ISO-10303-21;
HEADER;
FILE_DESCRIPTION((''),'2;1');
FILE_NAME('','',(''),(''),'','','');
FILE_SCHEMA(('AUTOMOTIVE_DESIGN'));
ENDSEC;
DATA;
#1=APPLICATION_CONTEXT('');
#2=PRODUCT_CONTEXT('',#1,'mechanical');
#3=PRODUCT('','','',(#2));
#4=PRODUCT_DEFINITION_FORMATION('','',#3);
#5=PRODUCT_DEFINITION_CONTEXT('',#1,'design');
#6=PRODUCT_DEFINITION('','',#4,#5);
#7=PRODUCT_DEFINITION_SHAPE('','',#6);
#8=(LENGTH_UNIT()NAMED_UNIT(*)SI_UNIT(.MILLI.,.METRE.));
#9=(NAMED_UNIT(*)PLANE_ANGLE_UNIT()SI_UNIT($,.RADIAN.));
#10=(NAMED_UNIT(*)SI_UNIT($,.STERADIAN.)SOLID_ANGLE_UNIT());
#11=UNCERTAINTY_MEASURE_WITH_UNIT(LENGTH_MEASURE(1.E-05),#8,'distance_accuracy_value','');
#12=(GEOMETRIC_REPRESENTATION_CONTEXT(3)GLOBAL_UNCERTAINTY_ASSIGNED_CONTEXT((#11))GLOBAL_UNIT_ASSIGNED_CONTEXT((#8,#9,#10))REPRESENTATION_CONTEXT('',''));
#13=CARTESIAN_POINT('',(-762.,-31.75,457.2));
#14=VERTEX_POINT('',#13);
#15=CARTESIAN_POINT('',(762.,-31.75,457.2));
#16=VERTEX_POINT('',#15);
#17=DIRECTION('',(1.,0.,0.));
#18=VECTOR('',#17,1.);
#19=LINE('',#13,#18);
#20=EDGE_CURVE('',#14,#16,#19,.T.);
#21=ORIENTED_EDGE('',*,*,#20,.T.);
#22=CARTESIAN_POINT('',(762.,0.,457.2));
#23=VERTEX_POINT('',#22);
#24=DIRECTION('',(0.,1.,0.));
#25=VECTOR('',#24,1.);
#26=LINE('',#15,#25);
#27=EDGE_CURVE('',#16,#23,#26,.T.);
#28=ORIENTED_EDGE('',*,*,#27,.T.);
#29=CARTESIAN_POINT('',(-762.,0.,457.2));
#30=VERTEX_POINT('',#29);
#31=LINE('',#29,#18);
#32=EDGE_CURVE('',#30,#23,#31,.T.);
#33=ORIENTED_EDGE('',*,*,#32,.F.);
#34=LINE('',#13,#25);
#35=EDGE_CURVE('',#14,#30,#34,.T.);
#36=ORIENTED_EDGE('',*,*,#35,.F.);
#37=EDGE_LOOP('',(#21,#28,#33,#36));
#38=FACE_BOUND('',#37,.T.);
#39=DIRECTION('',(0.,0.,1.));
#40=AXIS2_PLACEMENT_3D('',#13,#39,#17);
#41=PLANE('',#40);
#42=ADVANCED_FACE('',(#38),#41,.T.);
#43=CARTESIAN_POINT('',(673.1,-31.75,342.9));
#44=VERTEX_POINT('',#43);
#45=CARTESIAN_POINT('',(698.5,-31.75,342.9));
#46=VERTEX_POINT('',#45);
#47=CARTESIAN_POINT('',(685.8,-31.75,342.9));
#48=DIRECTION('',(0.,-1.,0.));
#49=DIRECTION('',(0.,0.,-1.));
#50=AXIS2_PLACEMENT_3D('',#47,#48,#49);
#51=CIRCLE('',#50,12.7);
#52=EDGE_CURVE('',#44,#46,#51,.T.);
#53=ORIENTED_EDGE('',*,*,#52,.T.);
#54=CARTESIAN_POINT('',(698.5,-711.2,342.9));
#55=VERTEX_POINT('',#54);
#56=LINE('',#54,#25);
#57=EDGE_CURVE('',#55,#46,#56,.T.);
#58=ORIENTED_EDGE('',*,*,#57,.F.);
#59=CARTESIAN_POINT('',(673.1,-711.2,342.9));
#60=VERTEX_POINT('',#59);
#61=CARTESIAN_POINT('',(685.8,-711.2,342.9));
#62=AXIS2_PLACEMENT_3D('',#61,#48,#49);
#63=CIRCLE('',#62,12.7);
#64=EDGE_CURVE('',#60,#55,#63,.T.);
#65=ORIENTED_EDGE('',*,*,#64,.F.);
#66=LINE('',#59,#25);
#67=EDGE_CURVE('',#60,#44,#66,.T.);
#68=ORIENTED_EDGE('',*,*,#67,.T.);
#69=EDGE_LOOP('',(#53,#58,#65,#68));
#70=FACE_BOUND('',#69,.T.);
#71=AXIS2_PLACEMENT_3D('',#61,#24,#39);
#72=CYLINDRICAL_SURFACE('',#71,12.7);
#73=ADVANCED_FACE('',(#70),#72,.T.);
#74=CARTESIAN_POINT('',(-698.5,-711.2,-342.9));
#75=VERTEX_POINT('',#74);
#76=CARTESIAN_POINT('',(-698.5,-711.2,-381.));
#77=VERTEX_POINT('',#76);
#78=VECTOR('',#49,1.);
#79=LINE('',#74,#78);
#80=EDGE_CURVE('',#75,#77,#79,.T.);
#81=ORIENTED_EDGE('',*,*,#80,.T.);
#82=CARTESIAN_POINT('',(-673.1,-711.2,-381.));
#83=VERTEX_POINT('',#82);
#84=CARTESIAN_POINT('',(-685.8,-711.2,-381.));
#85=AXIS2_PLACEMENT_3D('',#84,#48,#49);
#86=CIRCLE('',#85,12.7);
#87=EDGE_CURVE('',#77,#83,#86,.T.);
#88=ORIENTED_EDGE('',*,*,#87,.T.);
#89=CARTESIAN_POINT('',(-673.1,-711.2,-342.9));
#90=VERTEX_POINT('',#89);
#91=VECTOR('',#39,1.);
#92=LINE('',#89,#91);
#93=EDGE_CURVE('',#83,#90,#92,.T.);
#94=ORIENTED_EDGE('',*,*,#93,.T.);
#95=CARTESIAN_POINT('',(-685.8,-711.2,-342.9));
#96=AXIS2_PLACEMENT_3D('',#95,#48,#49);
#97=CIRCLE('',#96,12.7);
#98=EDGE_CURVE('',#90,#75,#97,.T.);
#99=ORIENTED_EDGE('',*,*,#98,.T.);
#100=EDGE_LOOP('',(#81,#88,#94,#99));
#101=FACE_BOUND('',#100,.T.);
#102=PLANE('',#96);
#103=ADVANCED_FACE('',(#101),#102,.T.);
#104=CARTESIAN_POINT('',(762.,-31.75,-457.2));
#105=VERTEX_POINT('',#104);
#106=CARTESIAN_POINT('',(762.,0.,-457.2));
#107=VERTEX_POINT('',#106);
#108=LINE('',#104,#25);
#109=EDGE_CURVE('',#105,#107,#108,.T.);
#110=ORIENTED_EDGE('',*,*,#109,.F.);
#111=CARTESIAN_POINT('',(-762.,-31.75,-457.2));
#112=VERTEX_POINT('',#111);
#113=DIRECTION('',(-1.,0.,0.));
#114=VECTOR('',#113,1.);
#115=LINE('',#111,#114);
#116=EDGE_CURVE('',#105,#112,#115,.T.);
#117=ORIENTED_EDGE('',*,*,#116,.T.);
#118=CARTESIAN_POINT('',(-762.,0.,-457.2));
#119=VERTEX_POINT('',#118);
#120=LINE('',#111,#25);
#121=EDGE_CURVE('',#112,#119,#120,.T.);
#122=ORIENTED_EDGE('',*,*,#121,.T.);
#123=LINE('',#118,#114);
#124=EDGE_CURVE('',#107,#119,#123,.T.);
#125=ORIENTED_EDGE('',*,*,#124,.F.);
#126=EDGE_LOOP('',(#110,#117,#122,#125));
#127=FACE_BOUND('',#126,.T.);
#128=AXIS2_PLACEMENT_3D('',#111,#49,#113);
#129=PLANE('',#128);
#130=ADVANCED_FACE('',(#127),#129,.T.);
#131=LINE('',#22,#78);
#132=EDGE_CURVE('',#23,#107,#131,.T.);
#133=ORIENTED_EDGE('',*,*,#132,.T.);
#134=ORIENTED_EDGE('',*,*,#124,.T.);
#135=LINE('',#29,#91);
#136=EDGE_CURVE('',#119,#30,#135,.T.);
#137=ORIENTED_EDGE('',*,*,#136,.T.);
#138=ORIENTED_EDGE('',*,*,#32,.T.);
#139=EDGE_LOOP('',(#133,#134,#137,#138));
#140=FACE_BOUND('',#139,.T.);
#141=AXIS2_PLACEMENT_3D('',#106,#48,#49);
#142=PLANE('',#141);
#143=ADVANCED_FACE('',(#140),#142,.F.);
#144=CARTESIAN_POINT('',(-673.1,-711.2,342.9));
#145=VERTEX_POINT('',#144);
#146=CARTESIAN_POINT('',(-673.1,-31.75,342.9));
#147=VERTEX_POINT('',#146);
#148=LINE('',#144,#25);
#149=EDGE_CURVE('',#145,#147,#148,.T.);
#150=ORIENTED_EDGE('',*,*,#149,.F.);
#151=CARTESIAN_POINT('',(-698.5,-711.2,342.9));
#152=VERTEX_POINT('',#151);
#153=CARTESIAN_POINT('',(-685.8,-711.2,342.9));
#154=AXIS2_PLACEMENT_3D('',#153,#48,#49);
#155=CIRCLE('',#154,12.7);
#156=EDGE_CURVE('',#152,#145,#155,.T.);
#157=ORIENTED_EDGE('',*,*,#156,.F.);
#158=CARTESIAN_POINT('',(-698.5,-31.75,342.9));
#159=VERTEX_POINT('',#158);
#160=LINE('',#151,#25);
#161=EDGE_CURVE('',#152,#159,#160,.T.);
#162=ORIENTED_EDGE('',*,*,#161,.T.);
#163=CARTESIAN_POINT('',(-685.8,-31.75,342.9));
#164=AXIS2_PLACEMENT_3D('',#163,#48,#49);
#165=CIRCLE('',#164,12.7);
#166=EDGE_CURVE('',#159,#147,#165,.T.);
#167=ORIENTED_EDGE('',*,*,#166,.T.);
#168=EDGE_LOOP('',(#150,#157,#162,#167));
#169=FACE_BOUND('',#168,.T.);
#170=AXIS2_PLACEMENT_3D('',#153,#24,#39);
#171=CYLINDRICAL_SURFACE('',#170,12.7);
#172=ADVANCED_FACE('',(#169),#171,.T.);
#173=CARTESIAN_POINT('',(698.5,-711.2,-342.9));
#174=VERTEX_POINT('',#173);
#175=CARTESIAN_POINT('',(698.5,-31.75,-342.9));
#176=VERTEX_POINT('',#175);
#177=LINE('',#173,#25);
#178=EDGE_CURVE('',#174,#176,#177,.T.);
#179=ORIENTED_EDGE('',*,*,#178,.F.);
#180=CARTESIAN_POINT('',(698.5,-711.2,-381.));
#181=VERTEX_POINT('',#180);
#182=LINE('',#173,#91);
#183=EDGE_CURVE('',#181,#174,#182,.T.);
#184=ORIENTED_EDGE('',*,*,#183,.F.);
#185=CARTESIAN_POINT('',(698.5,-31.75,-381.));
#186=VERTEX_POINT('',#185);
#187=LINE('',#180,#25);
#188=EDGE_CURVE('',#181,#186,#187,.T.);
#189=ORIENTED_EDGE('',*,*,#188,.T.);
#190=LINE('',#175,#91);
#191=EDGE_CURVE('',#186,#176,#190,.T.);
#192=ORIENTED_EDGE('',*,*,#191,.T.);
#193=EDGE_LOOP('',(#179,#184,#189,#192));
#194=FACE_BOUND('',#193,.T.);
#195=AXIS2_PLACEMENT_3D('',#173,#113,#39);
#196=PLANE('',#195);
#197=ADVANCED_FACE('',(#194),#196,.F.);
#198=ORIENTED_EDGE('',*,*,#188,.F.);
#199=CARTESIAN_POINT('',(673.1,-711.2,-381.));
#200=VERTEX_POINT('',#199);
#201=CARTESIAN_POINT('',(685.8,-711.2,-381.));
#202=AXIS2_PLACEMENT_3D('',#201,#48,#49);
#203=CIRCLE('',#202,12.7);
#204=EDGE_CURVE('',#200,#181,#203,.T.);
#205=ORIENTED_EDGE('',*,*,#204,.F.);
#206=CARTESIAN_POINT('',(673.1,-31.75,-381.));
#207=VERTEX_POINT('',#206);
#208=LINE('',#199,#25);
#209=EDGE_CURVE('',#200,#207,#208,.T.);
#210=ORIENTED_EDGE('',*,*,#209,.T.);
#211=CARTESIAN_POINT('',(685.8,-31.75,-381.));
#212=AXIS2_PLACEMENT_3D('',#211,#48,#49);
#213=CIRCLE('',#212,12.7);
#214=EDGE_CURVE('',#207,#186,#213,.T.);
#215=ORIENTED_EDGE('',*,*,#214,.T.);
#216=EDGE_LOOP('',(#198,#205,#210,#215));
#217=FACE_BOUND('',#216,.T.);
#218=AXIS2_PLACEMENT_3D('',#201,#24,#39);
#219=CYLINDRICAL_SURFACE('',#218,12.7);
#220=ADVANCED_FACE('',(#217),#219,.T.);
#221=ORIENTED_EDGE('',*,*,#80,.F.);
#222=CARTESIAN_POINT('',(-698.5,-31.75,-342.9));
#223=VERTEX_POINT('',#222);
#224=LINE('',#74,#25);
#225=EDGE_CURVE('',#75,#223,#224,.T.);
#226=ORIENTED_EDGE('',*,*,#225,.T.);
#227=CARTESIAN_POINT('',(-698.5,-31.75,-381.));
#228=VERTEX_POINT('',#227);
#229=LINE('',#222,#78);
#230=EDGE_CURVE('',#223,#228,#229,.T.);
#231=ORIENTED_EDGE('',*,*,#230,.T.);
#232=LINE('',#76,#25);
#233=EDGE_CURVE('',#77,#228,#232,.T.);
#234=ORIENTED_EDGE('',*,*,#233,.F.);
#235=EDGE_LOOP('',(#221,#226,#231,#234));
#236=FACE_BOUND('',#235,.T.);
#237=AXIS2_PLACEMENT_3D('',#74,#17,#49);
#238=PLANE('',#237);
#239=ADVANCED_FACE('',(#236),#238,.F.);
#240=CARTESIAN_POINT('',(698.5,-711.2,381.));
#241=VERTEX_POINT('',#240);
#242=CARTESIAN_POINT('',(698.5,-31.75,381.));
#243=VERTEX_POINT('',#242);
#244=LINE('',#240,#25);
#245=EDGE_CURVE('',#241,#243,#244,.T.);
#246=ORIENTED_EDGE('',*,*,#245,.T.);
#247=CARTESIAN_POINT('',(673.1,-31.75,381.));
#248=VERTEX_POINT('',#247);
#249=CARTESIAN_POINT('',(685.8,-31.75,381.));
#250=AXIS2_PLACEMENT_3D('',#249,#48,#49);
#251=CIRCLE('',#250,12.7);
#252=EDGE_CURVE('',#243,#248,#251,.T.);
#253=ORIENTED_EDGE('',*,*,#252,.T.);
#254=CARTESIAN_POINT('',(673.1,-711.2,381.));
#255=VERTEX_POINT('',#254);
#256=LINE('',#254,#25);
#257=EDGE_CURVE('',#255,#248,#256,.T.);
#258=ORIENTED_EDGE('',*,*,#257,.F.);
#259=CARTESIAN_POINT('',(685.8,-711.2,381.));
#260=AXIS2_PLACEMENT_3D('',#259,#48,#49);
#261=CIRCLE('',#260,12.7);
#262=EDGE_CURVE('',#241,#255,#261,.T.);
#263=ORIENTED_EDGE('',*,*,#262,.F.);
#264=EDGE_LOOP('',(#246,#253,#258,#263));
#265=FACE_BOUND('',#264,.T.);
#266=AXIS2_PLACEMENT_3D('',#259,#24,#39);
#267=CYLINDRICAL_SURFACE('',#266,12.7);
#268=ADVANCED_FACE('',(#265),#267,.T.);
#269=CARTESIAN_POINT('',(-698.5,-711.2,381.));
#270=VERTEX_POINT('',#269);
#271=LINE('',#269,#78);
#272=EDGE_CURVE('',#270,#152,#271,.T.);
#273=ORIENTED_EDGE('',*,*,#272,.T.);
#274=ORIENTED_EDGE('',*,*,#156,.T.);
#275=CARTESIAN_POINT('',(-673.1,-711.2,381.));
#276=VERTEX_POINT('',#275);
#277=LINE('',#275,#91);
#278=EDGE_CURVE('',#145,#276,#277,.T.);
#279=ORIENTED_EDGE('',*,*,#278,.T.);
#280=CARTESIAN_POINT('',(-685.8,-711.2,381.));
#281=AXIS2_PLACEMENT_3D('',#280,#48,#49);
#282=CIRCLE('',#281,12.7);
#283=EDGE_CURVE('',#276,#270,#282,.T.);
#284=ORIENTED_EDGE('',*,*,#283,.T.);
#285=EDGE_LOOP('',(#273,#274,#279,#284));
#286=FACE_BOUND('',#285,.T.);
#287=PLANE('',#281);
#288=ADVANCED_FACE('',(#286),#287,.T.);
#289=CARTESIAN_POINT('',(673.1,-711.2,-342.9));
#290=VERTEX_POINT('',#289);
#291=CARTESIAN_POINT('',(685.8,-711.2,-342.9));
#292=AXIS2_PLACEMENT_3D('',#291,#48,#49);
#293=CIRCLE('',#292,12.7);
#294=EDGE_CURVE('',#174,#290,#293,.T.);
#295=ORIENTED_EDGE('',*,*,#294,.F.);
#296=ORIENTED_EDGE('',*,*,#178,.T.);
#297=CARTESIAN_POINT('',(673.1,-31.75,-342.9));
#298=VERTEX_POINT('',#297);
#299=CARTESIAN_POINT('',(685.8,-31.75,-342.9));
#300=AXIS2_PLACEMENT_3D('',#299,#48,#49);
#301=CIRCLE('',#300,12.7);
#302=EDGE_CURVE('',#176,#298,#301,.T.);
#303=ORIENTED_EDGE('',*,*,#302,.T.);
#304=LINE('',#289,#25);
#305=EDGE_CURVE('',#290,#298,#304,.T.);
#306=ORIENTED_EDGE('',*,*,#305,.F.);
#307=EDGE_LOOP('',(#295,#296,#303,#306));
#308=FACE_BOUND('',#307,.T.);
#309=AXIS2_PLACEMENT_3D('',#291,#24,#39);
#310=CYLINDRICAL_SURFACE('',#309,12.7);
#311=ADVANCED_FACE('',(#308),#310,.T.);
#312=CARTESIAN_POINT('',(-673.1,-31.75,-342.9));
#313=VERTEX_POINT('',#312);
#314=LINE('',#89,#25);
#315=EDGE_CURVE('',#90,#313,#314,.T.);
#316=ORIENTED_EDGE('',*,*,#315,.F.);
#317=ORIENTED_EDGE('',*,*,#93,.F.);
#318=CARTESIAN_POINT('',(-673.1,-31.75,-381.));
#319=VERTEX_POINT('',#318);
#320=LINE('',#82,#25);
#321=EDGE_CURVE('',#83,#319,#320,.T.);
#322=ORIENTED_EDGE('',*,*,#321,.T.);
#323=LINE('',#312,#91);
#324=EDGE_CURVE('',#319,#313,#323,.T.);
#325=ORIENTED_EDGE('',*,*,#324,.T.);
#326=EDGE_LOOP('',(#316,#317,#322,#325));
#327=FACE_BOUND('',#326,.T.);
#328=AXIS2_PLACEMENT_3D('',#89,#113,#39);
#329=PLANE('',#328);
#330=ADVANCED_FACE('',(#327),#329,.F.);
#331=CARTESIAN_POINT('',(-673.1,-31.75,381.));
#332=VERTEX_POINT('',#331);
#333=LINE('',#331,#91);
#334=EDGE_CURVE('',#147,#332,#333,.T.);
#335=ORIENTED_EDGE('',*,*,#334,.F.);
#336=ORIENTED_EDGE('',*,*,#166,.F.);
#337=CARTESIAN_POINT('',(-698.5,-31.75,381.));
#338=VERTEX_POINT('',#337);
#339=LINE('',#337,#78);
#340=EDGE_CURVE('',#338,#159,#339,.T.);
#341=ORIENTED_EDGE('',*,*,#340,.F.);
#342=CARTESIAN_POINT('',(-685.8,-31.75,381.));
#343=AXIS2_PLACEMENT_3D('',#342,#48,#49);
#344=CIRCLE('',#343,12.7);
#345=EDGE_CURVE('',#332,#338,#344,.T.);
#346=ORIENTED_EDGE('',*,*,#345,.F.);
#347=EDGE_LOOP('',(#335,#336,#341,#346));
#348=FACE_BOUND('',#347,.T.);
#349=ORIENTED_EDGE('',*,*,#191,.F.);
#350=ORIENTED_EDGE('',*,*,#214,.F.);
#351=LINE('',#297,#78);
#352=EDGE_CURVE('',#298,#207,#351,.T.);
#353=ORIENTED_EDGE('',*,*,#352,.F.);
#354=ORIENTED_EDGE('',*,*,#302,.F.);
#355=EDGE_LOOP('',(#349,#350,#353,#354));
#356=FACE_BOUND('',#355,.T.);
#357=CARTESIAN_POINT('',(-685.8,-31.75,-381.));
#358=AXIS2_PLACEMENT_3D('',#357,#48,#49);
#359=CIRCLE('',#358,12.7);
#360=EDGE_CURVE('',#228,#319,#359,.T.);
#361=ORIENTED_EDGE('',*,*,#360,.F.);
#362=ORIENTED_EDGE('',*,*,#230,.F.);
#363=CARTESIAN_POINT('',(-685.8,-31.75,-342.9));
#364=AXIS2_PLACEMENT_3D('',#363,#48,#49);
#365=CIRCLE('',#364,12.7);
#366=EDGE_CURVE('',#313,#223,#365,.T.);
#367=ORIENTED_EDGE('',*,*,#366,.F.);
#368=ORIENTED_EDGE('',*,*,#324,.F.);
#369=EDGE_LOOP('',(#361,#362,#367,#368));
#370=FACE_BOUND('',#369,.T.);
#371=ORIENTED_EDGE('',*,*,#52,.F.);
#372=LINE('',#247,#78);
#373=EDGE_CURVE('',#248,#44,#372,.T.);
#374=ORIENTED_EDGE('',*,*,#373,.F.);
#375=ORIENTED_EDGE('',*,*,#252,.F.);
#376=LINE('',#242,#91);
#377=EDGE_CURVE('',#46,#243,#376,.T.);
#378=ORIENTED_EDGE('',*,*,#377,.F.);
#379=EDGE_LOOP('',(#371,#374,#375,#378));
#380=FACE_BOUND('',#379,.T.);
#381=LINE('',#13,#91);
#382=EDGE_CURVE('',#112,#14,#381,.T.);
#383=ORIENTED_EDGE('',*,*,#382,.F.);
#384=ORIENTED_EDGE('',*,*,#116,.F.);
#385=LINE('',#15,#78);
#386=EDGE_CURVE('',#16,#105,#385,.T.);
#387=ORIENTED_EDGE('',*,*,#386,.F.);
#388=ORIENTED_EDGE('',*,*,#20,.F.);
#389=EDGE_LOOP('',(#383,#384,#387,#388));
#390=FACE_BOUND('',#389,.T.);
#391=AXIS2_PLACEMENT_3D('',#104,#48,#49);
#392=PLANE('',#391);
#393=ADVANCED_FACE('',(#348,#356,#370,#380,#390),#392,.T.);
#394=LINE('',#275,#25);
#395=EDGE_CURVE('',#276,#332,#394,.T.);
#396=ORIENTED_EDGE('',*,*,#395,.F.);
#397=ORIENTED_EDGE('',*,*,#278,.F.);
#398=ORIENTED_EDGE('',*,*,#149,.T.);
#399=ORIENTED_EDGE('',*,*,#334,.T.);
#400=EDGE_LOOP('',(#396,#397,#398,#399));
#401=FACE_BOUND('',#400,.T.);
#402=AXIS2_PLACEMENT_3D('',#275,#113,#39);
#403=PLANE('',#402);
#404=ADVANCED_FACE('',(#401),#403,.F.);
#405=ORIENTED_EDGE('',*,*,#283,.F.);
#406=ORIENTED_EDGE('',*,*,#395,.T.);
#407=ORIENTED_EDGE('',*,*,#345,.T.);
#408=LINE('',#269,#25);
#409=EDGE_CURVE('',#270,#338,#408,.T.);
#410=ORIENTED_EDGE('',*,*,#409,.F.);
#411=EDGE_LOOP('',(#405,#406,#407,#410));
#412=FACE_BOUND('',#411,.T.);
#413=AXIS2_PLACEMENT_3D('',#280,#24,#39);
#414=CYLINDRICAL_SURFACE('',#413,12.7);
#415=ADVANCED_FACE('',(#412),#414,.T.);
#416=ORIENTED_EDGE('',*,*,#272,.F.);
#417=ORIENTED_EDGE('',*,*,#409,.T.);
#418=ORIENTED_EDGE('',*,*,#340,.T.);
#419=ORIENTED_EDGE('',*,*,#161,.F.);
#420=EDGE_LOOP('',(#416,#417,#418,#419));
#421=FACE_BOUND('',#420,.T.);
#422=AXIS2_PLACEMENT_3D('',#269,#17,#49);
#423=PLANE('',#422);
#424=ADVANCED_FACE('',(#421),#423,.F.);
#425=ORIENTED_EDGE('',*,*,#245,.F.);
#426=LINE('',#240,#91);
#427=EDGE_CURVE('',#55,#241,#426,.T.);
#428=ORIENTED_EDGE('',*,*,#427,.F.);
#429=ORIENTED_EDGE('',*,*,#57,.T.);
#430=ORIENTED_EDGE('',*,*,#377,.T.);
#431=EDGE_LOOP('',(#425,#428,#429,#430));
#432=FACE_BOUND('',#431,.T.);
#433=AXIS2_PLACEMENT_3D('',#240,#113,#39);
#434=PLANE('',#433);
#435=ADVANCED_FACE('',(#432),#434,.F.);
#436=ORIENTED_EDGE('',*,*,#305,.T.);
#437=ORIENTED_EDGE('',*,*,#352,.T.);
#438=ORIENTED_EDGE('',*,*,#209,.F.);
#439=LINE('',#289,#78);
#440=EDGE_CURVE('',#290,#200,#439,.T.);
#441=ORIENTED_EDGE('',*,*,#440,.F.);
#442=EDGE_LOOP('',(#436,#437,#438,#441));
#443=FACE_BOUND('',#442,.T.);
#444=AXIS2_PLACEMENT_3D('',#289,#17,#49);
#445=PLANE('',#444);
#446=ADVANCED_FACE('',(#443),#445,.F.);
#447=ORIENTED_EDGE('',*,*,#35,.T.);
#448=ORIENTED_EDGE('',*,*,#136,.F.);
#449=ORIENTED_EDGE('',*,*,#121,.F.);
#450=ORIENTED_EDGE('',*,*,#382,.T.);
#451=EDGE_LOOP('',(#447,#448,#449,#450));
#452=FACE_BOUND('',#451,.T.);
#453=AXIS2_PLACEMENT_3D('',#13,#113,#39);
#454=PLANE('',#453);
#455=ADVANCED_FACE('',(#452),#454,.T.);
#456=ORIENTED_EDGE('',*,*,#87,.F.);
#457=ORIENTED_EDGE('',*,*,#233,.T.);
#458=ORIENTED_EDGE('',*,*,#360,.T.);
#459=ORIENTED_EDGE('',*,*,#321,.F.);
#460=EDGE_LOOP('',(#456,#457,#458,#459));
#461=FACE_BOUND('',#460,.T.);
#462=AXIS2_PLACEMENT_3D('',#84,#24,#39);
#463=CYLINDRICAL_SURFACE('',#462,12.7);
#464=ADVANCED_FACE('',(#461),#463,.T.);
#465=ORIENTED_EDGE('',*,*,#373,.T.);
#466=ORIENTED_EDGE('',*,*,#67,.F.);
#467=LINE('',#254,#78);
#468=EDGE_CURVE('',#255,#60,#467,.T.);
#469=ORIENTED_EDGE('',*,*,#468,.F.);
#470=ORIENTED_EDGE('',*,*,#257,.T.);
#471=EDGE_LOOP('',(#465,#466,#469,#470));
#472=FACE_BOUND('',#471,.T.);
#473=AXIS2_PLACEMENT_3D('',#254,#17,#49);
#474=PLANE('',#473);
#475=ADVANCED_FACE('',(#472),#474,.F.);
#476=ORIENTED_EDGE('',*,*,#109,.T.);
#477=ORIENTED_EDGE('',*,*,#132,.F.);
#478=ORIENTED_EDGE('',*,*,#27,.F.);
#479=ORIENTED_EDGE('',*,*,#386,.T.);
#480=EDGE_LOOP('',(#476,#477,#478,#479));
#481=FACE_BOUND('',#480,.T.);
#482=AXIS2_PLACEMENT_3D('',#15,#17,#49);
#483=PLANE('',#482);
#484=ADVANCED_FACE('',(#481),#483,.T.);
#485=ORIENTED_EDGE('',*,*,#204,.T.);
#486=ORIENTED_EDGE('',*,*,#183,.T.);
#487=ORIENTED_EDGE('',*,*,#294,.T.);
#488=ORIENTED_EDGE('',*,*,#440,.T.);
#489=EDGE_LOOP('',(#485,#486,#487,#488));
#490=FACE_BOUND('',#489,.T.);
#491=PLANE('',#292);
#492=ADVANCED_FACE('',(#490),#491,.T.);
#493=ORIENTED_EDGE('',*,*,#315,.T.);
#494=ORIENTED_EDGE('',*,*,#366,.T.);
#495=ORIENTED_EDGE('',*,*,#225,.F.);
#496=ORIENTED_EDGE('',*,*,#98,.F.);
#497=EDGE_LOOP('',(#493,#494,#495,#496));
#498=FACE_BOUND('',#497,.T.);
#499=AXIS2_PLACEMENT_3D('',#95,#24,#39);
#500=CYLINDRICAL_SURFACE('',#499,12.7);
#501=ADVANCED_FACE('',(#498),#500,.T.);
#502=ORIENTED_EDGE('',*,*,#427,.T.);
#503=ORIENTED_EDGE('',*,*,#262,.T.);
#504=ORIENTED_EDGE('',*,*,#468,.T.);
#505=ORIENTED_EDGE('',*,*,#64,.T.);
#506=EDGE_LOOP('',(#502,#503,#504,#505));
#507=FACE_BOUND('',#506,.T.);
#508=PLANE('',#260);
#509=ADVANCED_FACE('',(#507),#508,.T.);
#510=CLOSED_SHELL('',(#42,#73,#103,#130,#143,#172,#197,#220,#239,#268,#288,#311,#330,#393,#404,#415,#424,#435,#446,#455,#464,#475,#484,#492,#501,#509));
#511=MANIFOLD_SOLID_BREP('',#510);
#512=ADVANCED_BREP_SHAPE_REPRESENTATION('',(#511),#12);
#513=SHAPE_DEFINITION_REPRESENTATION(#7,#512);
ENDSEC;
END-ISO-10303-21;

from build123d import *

# Parameters (mm, degrees)
SKETCH1_W           = 1524
SKETCH1_H           = 914.4
BOSS_EXTRUDE1_DEPTH = 31.75
BOSS_EXTRUDE2_DEPTH = 679.45


with BuildPart() as part:
    # Sketch1 → Boss-Extrude1 (new body)
    with BuildSketch(Plane(origin=(0, 0, 0), x_dir=(1, 0, 0), z_dir=(0, 1, 0))):
        Rectangle(SKETCH1_W, SKETCH1_H)
    extrude(amount=-BOSS_EXTRUDE1_DEPTH)

    # Sketch2 → Boss-Extrude2 (add)
    with BuildSketch(Plane.XZ.offset(31.75)):
        with BuildLine():
            Line((-698.5, -342.9), (-698.5, -381))
            ThreePointArc((-698.5, -381), (-685.8, -393.7), (-673.1, -381))
            Line((-673.1, -381), (-673.1, -342.9))
            ThreePointArc((-673.1, -342.9), (-685.8, -330.2), (-698.5, -342.9))
        make_face()
        with BuildLine():
            Line((-698.5, 381), (-698.5, 342.9))
            ThreePointArc((-698.5, 342.9), (-685.8, 330.2), (-673.1, 342.9))
            Line((-673.1, 342.9), (-673.1, 381))
            ThreePointArc((-673.1, 381), (-685.8, 393.7), (-698.5, 381))
        make_face()
        with BuildLine():
            Line((673.1, 381), (673.1, 342.9))
            ThreePointArc((673.1, 342.9), (685.8, 330.2), (698.5, 342.9))
            Line((698.5, 342.9), (698.5, 381))
            ThreePointArc((698.5, 381), (685.8, 393.7), (673.1, 381))
        make_face()
        with BuildLine():
            Line((673.1, -342.9), (673.1, -381))
            ThreePointArc((673.1, -381), (685.8, -393.7), (698.5, -381))
            Line((698.5, -381), (698.5, -342.9))
            ThreePointArc((698.5, -342.9), (685.8, -330.2), (673.1, -342.9))
        make_face()
    extrude(amount=BOSS_EXTRUDE2_DEPTH)


solid = part.part
